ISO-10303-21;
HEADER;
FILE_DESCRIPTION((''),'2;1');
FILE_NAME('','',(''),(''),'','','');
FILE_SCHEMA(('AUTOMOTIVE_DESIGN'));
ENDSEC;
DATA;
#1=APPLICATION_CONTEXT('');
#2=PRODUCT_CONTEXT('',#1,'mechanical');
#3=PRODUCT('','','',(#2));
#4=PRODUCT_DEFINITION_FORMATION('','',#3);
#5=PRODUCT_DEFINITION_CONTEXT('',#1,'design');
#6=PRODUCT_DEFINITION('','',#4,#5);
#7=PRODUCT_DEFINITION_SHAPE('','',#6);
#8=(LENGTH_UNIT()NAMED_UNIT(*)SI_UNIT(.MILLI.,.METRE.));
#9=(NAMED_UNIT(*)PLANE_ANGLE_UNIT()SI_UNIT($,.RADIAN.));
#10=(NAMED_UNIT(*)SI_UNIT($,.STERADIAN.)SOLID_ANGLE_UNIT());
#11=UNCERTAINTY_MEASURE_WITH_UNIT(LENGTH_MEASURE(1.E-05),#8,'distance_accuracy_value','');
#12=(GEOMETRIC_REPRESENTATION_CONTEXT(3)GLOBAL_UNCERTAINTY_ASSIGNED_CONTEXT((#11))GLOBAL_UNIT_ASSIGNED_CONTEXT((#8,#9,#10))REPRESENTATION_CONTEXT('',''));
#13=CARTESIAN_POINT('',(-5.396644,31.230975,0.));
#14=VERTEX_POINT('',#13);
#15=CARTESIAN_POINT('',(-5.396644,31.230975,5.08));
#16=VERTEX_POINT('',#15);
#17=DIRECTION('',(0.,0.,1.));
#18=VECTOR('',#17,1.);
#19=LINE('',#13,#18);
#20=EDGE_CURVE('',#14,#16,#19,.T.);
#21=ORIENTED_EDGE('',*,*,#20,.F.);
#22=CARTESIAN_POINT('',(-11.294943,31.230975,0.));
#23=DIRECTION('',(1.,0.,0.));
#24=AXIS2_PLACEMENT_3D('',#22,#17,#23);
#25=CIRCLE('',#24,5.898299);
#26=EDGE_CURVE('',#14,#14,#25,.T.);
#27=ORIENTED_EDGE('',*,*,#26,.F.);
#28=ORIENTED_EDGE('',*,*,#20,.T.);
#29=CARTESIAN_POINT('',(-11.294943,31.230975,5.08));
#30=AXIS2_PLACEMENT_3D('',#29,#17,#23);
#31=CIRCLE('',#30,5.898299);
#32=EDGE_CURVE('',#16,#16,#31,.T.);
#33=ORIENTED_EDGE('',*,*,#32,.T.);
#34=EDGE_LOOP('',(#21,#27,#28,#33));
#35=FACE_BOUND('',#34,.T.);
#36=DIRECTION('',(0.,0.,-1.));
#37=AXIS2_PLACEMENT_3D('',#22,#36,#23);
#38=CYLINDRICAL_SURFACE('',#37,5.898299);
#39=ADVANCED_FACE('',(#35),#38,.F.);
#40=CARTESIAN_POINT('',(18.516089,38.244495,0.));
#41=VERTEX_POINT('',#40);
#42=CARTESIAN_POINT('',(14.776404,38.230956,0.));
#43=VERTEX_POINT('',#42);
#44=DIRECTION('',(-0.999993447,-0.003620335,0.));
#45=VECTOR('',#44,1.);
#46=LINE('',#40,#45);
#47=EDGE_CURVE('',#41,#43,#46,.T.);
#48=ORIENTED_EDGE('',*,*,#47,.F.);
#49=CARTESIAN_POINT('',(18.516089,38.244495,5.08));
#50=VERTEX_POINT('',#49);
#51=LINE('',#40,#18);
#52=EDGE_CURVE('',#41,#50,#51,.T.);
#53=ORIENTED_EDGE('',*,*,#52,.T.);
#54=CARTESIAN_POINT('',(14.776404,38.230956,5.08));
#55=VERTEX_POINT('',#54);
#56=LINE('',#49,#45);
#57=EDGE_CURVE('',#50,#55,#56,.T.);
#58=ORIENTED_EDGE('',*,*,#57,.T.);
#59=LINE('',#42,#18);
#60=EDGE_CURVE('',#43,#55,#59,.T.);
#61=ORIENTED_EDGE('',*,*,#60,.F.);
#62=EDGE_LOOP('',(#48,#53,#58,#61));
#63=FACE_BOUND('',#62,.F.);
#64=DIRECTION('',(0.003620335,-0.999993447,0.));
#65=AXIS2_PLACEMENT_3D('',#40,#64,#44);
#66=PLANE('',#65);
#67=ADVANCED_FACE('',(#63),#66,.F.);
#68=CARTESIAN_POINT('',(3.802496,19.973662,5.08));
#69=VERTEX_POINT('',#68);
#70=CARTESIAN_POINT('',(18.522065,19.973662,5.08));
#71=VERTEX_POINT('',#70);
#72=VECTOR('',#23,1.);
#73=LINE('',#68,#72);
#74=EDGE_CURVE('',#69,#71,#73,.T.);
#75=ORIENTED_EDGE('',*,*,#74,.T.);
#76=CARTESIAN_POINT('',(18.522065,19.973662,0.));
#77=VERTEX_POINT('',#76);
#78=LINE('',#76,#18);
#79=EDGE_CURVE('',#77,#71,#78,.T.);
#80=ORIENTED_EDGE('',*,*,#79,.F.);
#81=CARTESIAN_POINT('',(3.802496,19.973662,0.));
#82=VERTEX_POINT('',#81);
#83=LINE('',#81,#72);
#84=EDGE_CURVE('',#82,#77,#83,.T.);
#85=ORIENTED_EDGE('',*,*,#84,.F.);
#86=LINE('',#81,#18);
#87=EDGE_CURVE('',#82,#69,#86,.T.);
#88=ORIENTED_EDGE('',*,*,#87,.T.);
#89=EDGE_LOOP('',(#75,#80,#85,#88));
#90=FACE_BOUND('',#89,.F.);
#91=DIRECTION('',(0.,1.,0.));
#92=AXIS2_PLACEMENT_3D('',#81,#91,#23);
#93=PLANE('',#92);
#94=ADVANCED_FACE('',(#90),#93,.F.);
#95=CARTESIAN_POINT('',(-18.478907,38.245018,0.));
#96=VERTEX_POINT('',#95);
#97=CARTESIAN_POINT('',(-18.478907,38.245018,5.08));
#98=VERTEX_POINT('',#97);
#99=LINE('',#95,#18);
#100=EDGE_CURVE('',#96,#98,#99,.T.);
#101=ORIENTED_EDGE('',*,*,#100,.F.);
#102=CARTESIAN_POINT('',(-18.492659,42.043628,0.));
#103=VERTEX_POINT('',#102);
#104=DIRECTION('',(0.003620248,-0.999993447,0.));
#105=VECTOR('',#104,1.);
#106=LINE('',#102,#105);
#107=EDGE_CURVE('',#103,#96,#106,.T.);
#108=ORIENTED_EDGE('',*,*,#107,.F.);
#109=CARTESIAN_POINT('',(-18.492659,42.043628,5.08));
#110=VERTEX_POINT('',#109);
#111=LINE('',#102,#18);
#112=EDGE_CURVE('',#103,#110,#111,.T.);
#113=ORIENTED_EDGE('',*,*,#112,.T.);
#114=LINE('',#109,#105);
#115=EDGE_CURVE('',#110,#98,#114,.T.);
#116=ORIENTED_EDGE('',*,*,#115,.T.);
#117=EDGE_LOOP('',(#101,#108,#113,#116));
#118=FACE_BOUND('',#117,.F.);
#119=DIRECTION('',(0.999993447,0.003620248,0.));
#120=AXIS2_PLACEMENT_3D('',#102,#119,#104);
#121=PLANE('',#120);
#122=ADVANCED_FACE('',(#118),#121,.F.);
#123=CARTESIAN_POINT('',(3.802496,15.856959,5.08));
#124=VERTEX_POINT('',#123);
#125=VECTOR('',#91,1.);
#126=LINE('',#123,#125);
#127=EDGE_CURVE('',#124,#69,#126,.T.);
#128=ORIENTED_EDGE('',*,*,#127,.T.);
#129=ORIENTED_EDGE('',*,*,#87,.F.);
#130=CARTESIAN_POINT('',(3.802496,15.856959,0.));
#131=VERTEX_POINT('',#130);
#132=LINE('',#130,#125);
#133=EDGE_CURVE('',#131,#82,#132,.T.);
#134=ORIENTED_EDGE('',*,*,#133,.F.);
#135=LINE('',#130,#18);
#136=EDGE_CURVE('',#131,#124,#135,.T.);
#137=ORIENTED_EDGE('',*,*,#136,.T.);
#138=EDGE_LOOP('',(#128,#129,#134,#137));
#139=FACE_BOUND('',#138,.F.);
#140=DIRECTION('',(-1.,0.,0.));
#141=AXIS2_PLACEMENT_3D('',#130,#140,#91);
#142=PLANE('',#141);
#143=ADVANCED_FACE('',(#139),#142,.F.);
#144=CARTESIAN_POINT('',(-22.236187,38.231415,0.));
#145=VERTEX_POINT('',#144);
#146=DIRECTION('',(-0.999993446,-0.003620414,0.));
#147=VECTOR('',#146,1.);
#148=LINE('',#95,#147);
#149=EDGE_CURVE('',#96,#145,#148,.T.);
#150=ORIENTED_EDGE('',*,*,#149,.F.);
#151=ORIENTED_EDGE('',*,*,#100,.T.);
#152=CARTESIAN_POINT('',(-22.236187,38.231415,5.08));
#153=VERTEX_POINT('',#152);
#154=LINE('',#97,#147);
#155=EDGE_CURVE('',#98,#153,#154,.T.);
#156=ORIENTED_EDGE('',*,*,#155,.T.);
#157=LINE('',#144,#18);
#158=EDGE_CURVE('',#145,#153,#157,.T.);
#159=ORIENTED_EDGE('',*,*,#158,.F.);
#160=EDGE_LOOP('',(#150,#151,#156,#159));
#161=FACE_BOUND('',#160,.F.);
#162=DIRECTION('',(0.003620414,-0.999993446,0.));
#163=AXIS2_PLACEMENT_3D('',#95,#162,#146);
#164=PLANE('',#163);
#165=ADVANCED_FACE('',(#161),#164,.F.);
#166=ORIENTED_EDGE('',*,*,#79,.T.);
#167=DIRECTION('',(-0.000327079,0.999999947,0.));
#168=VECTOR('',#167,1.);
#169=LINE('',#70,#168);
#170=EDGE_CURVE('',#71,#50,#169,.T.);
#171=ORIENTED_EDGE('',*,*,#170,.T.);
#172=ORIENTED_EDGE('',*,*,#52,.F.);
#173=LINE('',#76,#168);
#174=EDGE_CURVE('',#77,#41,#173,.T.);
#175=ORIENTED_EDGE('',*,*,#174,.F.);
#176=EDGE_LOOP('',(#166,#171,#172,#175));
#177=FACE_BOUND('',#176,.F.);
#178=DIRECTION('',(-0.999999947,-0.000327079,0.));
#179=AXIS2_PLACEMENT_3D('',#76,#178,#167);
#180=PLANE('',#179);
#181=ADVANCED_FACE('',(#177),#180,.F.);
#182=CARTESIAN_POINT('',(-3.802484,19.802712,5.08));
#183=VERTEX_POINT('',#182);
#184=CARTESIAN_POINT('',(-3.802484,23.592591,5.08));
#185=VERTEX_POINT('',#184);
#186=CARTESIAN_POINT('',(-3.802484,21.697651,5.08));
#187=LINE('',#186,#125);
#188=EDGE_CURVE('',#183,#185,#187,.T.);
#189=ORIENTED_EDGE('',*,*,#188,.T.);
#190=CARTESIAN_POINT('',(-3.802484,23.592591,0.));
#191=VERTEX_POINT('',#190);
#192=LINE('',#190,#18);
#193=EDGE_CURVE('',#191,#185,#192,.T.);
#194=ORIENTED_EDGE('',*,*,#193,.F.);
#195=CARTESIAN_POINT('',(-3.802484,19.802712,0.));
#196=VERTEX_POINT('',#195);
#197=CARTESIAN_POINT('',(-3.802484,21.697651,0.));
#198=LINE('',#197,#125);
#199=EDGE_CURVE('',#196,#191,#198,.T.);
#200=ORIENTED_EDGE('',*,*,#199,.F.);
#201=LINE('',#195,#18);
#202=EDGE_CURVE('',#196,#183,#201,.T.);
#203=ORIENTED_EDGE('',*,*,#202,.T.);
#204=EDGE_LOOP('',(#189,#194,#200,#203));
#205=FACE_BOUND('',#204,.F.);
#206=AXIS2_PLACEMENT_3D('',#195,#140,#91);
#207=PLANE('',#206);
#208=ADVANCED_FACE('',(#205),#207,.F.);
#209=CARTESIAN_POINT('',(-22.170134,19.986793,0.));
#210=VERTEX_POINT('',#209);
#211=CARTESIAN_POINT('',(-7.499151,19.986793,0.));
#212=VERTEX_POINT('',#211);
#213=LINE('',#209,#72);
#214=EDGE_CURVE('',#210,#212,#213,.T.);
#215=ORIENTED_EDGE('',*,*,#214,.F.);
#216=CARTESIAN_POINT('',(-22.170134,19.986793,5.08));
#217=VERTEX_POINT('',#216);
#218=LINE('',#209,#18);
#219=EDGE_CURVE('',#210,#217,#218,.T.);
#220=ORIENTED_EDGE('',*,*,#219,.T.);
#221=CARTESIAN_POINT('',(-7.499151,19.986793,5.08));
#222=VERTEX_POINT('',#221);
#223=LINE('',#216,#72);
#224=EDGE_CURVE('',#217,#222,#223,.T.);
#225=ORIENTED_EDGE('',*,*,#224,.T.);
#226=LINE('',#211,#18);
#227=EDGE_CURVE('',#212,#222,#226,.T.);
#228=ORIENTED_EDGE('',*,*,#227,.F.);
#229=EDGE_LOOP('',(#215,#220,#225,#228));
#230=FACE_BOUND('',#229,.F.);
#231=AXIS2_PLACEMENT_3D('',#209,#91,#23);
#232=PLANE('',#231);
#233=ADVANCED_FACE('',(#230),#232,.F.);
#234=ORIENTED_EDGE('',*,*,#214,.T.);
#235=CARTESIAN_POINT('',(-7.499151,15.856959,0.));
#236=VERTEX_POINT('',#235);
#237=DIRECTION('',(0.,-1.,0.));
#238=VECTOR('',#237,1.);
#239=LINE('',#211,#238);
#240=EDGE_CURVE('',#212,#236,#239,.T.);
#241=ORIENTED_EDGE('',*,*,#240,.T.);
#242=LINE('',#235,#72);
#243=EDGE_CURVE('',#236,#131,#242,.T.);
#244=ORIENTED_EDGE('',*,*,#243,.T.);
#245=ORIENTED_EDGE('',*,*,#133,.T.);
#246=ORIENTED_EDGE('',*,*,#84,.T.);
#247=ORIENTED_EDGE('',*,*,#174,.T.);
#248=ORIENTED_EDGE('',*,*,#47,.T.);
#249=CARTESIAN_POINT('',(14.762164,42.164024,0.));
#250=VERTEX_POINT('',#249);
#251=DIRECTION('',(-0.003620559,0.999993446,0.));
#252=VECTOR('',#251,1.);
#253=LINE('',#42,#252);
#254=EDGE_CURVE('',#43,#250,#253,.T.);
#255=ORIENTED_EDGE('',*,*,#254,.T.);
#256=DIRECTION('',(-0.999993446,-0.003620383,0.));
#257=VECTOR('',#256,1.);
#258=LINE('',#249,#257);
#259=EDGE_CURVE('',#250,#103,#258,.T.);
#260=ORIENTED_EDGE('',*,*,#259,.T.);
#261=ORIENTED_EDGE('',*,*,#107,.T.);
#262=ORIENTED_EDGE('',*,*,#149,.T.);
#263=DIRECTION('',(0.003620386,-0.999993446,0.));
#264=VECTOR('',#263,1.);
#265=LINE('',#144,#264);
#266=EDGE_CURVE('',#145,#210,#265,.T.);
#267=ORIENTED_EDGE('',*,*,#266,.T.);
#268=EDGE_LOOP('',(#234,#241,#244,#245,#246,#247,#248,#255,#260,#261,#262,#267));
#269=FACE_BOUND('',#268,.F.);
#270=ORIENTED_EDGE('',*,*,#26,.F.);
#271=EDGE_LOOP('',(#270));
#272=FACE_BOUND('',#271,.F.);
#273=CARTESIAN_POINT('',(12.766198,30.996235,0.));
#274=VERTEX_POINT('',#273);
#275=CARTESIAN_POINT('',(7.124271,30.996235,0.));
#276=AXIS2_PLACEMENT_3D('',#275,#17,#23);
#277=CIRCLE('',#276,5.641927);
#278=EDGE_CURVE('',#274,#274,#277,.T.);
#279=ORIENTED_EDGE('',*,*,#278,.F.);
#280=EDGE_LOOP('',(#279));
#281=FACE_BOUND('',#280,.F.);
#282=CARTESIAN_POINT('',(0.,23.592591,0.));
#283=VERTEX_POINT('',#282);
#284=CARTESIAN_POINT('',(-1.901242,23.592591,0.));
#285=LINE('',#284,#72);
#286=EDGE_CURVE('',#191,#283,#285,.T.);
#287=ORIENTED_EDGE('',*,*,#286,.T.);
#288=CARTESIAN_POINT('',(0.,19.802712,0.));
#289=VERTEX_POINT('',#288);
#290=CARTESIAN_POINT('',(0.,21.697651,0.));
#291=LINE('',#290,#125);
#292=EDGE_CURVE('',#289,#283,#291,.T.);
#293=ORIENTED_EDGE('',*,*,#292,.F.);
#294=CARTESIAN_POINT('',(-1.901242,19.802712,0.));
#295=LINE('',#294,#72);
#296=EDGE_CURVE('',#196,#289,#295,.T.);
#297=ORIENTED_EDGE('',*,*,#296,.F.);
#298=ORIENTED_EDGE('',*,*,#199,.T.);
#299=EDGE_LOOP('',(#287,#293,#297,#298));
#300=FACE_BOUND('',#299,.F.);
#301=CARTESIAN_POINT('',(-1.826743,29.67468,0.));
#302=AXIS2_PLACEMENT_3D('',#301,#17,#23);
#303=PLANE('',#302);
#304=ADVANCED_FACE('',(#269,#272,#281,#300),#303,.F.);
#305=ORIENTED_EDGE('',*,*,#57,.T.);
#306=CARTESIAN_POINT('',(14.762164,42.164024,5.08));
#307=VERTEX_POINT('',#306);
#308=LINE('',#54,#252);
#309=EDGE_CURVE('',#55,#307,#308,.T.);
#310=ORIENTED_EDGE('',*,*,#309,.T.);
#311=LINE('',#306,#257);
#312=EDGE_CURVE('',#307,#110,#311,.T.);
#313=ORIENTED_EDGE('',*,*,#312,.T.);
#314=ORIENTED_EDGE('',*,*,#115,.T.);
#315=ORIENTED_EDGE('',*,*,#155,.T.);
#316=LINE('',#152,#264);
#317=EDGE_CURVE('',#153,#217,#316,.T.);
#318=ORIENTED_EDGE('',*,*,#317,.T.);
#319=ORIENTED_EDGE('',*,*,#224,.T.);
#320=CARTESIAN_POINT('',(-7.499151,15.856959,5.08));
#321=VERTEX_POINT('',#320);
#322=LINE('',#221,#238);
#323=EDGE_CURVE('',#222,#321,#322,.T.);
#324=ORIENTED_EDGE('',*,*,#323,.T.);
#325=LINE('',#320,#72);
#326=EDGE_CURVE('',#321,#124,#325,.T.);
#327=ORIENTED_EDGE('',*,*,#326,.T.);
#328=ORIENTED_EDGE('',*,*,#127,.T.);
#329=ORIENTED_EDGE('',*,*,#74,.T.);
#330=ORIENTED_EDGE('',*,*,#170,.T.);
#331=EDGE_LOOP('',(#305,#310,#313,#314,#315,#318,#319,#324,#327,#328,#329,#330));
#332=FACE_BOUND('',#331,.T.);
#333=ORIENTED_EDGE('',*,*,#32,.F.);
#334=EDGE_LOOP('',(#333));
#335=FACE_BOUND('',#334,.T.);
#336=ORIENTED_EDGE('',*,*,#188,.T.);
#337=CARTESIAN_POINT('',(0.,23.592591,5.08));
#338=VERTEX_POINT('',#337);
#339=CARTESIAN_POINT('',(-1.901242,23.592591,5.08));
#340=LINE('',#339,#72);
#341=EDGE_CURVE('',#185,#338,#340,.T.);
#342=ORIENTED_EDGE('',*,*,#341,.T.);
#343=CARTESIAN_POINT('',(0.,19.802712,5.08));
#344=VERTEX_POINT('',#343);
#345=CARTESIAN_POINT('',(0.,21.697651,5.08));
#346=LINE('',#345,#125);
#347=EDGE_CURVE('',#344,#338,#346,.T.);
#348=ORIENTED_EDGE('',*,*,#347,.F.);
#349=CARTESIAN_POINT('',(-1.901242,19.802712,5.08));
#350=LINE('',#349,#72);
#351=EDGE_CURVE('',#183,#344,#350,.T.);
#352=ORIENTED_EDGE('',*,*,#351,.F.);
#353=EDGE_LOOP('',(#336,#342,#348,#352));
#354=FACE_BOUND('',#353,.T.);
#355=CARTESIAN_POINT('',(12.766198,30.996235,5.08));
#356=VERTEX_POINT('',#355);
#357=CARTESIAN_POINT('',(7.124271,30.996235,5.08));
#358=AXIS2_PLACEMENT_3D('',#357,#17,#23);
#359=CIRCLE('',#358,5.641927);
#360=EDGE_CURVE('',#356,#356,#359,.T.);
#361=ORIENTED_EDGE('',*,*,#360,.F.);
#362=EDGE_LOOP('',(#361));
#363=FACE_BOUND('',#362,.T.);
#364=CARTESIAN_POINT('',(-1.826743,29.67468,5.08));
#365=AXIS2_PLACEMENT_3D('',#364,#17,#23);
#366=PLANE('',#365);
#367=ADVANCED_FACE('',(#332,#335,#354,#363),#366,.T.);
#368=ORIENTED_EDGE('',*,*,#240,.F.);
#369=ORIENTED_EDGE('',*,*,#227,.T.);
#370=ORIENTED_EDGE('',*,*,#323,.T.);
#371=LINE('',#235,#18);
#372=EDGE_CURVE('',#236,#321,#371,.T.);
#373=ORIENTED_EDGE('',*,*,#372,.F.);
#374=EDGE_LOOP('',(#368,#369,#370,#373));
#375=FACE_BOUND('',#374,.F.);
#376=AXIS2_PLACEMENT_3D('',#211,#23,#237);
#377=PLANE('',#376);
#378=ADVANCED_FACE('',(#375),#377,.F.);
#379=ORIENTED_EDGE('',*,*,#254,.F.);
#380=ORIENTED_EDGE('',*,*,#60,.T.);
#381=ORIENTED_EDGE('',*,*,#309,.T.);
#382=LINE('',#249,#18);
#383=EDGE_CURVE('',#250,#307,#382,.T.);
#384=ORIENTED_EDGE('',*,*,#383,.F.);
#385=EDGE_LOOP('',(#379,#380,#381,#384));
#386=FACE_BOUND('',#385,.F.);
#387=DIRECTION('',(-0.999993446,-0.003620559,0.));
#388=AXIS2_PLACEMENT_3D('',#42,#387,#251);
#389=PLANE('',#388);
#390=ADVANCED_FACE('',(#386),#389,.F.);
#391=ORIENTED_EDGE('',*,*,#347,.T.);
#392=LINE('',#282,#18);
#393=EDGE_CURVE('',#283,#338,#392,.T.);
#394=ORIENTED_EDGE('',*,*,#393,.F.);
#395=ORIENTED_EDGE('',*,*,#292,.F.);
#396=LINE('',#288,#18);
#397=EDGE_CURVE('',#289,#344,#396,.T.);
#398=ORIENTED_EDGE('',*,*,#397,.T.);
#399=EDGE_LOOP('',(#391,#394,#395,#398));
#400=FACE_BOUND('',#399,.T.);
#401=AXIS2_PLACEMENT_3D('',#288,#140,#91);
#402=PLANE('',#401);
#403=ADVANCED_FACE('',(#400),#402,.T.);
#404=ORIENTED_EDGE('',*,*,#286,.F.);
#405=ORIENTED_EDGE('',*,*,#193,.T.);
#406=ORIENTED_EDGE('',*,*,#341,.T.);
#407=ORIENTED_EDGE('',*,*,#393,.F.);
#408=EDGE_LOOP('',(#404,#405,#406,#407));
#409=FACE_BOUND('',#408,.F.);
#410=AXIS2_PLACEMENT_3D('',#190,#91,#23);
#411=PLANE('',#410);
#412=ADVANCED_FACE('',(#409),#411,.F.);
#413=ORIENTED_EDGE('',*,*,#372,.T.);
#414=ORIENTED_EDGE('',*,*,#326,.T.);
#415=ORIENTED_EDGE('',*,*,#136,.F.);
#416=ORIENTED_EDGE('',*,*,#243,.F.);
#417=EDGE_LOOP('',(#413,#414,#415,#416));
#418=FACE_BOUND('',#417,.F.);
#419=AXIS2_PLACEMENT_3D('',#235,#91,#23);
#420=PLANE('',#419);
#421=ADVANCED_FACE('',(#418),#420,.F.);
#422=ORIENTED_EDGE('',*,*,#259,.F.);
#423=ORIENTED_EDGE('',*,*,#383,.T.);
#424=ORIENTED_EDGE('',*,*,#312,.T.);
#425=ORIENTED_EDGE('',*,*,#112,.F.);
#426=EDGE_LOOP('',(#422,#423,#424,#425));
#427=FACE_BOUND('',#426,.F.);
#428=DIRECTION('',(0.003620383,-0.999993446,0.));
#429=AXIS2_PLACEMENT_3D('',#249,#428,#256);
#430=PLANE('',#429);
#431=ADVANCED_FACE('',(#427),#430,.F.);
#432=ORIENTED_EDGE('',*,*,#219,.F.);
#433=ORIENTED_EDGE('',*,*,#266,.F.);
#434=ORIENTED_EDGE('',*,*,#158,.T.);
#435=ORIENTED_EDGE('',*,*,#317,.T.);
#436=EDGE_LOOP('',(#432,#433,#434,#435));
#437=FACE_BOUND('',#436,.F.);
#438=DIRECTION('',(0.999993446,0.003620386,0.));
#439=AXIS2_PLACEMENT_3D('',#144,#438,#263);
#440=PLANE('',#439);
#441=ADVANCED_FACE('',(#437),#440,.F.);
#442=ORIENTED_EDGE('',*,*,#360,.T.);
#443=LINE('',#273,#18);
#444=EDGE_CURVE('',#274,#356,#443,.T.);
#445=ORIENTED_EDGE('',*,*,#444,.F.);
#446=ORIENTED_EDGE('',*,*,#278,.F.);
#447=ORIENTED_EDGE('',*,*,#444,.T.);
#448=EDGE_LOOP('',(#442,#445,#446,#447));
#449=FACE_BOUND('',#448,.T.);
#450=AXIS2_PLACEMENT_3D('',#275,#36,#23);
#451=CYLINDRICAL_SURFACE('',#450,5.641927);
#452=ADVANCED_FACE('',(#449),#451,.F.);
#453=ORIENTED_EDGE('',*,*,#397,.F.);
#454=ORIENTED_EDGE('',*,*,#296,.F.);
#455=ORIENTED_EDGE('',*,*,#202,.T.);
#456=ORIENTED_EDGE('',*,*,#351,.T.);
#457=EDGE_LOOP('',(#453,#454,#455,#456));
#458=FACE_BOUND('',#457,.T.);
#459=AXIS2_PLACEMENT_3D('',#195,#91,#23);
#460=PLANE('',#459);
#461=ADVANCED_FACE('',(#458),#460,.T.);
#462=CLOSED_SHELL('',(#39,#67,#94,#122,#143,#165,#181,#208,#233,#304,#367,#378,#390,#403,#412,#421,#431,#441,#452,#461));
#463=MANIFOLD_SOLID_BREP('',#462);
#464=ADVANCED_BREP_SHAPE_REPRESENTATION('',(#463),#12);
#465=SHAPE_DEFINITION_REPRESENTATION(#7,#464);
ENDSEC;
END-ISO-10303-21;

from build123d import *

# Parameters (mm, degrees)
F0_W     = 3.802484
F0_H     = 3.789879
F0_R     = 5.898299
F0_R_2   = 5.641927
F1_DEPTH = 5.08


with BuildPart() as f1:
    # F0 (on Top) → F1 (new body)
    with BuildSketch(Plane.XY):
        Polygon((-22.236187, 38.231415), (-22.170134, 19.986793), (-7.499151, 19.986793), (-7.499151, 15.856959), (3.802496, 15.856959), (3.802496, 19.973662), (18.522065, 19.973662), (18.516089, 38.244495), (14.776404, 38.230956), (14.762164, 42.164024), (-18.492659, 42.043628), (-18.478907, 38.245018), align=None)
        with Locations((-1.901242, 21.697651)):
            Rectangle(F0_W, F0_H, mode=Mode.SUBTRACT)
        with Locations((-11.294943, 31.230975)):
            Circle(F0_R, mode=Mode.SUBTRACT)
        with Locations((7.124271, 30.996235)):
            Circle(F0_R_2, mode=Mode.SUBTRACT)
    extrude(amount=F1_DEPTH)


solid = f1.part
